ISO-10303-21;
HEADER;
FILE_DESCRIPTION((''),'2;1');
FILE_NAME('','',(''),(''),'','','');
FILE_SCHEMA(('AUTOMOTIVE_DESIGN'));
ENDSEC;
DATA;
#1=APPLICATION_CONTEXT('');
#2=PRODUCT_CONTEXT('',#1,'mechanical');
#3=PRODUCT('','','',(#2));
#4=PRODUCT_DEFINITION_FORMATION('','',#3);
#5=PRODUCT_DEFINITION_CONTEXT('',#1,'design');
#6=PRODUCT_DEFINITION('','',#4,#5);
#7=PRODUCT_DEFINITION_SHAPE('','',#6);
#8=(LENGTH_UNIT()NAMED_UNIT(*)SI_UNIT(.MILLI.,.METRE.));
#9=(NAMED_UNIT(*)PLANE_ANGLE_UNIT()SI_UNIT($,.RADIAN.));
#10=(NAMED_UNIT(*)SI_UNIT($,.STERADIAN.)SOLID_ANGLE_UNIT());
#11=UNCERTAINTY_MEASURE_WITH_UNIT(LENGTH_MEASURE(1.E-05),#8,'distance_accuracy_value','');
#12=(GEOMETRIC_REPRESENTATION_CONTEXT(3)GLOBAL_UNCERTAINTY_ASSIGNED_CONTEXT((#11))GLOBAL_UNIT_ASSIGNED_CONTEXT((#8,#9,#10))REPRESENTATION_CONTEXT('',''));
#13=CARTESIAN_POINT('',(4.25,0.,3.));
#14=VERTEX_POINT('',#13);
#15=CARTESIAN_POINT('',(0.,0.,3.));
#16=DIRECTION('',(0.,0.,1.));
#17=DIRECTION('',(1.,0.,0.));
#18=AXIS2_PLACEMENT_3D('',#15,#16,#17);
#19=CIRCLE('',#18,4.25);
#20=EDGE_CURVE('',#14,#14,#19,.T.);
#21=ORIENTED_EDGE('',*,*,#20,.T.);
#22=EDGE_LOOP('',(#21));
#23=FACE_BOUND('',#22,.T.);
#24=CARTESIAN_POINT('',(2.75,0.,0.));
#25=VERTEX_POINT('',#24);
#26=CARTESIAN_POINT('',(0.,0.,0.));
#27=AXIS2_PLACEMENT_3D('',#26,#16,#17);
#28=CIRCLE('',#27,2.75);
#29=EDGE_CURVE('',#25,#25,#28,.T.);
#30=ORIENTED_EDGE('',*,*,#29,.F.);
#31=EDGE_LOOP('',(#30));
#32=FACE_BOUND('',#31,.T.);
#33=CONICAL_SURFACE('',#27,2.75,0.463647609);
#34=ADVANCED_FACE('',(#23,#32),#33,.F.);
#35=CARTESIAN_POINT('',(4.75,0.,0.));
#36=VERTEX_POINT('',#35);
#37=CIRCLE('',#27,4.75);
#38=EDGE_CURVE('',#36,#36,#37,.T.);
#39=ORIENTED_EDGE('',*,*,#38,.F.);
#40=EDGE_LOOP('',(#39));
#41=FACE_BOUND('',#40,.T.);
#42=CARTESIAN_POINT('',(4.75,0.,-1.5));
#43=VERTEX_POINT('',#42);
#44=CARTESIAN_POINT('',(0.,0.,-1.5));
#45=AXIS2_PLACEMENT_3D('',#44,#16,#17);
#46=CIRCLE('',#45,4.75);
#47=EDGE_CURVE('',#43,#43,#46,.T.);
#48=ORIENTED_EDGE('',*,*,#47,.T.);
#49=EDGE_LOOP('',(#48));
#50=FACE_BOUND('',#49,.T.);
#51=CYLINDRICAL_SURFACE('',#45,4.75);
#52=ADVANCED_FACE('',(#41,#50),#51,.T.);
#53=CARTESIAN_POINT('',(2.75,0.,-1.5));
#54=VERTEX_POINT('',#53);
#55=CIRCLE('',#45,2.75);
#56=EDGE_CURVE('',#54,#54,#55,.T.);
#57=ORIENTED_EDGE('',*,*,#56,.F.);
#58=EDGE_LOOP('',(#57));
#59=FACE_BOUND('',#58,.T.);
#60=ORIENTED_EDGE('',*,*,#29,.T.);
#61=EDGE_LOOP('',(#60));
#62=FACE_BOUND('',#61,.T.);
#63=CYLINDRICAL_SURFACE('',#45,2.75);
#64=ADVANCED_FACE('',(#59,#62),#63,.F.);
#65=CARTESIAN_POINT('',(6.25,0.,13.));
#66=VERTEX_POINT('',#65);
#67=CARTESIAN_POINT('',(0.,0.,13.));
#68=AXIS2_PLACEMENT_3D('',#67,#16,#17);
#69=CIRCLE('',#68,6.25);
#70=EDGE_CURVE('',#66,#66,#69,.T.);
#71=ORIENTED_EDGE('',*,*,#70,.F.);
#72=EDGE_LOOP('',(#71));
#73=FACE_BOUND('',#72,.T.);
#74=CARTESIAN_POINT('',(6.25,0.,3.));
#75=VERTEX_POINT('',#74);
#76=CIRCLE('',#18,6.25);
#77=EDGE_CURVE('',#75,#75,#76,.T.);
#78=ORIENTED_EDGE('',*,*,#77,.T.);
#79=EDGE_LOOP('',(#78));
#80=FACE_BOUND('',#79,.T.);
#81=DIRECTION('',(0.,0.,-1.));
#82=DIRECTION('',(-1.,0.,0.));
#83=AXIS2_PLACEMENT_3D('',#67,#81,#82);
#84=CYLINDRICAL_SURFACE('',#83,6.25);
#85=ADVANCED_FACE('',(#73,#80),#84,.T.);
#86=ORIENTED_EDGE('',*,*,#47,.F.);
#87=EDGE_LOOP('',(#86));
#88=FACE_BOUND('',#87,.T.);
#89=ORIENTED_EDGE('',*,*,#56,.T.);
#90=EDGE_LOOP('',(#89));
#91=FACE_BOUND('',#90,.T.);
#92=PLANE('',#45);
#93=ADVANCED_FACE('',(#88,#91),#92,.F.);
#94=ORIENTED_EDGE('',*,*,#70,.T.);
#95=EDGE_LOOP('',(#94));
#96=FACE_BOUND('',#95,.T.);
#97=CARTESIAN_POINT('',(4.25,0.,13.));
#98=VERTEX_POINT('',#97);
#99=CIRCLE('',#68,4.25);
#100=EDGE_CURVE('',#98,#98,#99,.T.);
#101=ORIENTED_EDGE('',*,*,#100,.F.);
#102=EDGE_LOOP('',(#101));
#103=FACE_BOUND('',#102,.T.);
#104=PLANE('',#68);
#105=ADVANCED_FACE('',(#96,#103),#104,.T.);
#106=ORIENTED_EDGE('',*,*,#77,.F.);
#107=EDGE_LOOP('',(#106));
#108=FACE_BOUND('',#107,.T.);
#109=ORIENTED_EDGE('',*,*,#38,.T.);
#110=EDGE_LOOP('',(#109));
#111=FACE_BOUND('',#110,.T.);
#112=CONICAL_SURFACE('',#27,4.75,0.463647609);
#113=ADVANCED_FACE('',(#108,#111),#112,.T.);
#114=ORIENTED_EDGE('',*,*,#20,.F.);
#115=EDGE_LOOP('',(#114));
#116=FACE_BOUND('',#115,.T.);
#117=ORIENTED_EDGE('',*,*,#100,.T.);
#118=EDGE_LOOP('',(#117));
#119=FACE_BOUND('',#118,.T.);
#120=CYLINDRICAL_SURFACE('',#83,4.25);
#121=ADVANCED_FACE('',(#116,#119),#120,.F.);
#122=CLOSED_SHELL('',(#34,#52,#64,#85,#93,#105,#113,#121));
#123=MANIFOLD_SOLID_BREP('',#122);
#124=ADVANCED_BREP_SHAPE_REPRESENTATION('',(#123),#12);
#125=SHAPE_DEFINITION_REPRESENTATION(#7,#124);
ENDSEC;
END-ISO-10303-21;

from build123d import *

# Parameters (mm, degrees)
SKETCH1_R           = 4.75
SKETCH2_R           = 6.25
SKETCH1_68_R        = 2.75
SKETCH2_53_R        = 4.25
SKETCH1_69_R        = 4.75
SKETCH1_69_R_2      = 2.75
BOSS_EXTRUDE1_DEPTH = 1.5
SKETCH2_54_R        = 6.25
SKETCH2_54_R_2      = 4.25
BOSS_EXTRUDE2_DEPTH = 10


with BuildPart() as part:
    # Sketch1 → Loft2 section 0
    with BuildSketch(Plane.XY):
        Circle(SKETCH1_R)
    # Sketch2 → Loft2 section 1
    with BuildSketch(Plane.XY.offset(3)):
        Circle(SKETCH2_R)
    loft()

    # Sketch1<68> → Cut-Loft1 section 0
    with BuildSketch(Plane.XY):
        Circle(SKETCH1_68_R)
    # Sketch2<53> → Cut-Loft1 section 1
    with BuildSketch(Plane.XY.offset(3)):
        Circle(SKETCH2_53_R)
    loft(mode=Mode.SUBTRACT)

    # Sketch1<69> → Boss-Extrude1 (add)
    with BuildSketch(Plane.XY):
        Circle(SKETCH1_69_R)
        Circle(SKETCH1_69_R_2, mode=Mode.SUBTRACT)
    extrude(amount=-BOSS_EXTRUDE1_DEPTH)

    # Sketch2<54> → Boss-Extrude2 (add)
    with BuildSketch(Plane.XY.offset(3)):
        Circle(SKETCH2_54_R)
        Circle(SKETCH2_54_R_2, mode=Mode.SUBTRACT)
    extrude(amount=BOSS_EXTRUDE2_DEPTH)


solid = part.part
